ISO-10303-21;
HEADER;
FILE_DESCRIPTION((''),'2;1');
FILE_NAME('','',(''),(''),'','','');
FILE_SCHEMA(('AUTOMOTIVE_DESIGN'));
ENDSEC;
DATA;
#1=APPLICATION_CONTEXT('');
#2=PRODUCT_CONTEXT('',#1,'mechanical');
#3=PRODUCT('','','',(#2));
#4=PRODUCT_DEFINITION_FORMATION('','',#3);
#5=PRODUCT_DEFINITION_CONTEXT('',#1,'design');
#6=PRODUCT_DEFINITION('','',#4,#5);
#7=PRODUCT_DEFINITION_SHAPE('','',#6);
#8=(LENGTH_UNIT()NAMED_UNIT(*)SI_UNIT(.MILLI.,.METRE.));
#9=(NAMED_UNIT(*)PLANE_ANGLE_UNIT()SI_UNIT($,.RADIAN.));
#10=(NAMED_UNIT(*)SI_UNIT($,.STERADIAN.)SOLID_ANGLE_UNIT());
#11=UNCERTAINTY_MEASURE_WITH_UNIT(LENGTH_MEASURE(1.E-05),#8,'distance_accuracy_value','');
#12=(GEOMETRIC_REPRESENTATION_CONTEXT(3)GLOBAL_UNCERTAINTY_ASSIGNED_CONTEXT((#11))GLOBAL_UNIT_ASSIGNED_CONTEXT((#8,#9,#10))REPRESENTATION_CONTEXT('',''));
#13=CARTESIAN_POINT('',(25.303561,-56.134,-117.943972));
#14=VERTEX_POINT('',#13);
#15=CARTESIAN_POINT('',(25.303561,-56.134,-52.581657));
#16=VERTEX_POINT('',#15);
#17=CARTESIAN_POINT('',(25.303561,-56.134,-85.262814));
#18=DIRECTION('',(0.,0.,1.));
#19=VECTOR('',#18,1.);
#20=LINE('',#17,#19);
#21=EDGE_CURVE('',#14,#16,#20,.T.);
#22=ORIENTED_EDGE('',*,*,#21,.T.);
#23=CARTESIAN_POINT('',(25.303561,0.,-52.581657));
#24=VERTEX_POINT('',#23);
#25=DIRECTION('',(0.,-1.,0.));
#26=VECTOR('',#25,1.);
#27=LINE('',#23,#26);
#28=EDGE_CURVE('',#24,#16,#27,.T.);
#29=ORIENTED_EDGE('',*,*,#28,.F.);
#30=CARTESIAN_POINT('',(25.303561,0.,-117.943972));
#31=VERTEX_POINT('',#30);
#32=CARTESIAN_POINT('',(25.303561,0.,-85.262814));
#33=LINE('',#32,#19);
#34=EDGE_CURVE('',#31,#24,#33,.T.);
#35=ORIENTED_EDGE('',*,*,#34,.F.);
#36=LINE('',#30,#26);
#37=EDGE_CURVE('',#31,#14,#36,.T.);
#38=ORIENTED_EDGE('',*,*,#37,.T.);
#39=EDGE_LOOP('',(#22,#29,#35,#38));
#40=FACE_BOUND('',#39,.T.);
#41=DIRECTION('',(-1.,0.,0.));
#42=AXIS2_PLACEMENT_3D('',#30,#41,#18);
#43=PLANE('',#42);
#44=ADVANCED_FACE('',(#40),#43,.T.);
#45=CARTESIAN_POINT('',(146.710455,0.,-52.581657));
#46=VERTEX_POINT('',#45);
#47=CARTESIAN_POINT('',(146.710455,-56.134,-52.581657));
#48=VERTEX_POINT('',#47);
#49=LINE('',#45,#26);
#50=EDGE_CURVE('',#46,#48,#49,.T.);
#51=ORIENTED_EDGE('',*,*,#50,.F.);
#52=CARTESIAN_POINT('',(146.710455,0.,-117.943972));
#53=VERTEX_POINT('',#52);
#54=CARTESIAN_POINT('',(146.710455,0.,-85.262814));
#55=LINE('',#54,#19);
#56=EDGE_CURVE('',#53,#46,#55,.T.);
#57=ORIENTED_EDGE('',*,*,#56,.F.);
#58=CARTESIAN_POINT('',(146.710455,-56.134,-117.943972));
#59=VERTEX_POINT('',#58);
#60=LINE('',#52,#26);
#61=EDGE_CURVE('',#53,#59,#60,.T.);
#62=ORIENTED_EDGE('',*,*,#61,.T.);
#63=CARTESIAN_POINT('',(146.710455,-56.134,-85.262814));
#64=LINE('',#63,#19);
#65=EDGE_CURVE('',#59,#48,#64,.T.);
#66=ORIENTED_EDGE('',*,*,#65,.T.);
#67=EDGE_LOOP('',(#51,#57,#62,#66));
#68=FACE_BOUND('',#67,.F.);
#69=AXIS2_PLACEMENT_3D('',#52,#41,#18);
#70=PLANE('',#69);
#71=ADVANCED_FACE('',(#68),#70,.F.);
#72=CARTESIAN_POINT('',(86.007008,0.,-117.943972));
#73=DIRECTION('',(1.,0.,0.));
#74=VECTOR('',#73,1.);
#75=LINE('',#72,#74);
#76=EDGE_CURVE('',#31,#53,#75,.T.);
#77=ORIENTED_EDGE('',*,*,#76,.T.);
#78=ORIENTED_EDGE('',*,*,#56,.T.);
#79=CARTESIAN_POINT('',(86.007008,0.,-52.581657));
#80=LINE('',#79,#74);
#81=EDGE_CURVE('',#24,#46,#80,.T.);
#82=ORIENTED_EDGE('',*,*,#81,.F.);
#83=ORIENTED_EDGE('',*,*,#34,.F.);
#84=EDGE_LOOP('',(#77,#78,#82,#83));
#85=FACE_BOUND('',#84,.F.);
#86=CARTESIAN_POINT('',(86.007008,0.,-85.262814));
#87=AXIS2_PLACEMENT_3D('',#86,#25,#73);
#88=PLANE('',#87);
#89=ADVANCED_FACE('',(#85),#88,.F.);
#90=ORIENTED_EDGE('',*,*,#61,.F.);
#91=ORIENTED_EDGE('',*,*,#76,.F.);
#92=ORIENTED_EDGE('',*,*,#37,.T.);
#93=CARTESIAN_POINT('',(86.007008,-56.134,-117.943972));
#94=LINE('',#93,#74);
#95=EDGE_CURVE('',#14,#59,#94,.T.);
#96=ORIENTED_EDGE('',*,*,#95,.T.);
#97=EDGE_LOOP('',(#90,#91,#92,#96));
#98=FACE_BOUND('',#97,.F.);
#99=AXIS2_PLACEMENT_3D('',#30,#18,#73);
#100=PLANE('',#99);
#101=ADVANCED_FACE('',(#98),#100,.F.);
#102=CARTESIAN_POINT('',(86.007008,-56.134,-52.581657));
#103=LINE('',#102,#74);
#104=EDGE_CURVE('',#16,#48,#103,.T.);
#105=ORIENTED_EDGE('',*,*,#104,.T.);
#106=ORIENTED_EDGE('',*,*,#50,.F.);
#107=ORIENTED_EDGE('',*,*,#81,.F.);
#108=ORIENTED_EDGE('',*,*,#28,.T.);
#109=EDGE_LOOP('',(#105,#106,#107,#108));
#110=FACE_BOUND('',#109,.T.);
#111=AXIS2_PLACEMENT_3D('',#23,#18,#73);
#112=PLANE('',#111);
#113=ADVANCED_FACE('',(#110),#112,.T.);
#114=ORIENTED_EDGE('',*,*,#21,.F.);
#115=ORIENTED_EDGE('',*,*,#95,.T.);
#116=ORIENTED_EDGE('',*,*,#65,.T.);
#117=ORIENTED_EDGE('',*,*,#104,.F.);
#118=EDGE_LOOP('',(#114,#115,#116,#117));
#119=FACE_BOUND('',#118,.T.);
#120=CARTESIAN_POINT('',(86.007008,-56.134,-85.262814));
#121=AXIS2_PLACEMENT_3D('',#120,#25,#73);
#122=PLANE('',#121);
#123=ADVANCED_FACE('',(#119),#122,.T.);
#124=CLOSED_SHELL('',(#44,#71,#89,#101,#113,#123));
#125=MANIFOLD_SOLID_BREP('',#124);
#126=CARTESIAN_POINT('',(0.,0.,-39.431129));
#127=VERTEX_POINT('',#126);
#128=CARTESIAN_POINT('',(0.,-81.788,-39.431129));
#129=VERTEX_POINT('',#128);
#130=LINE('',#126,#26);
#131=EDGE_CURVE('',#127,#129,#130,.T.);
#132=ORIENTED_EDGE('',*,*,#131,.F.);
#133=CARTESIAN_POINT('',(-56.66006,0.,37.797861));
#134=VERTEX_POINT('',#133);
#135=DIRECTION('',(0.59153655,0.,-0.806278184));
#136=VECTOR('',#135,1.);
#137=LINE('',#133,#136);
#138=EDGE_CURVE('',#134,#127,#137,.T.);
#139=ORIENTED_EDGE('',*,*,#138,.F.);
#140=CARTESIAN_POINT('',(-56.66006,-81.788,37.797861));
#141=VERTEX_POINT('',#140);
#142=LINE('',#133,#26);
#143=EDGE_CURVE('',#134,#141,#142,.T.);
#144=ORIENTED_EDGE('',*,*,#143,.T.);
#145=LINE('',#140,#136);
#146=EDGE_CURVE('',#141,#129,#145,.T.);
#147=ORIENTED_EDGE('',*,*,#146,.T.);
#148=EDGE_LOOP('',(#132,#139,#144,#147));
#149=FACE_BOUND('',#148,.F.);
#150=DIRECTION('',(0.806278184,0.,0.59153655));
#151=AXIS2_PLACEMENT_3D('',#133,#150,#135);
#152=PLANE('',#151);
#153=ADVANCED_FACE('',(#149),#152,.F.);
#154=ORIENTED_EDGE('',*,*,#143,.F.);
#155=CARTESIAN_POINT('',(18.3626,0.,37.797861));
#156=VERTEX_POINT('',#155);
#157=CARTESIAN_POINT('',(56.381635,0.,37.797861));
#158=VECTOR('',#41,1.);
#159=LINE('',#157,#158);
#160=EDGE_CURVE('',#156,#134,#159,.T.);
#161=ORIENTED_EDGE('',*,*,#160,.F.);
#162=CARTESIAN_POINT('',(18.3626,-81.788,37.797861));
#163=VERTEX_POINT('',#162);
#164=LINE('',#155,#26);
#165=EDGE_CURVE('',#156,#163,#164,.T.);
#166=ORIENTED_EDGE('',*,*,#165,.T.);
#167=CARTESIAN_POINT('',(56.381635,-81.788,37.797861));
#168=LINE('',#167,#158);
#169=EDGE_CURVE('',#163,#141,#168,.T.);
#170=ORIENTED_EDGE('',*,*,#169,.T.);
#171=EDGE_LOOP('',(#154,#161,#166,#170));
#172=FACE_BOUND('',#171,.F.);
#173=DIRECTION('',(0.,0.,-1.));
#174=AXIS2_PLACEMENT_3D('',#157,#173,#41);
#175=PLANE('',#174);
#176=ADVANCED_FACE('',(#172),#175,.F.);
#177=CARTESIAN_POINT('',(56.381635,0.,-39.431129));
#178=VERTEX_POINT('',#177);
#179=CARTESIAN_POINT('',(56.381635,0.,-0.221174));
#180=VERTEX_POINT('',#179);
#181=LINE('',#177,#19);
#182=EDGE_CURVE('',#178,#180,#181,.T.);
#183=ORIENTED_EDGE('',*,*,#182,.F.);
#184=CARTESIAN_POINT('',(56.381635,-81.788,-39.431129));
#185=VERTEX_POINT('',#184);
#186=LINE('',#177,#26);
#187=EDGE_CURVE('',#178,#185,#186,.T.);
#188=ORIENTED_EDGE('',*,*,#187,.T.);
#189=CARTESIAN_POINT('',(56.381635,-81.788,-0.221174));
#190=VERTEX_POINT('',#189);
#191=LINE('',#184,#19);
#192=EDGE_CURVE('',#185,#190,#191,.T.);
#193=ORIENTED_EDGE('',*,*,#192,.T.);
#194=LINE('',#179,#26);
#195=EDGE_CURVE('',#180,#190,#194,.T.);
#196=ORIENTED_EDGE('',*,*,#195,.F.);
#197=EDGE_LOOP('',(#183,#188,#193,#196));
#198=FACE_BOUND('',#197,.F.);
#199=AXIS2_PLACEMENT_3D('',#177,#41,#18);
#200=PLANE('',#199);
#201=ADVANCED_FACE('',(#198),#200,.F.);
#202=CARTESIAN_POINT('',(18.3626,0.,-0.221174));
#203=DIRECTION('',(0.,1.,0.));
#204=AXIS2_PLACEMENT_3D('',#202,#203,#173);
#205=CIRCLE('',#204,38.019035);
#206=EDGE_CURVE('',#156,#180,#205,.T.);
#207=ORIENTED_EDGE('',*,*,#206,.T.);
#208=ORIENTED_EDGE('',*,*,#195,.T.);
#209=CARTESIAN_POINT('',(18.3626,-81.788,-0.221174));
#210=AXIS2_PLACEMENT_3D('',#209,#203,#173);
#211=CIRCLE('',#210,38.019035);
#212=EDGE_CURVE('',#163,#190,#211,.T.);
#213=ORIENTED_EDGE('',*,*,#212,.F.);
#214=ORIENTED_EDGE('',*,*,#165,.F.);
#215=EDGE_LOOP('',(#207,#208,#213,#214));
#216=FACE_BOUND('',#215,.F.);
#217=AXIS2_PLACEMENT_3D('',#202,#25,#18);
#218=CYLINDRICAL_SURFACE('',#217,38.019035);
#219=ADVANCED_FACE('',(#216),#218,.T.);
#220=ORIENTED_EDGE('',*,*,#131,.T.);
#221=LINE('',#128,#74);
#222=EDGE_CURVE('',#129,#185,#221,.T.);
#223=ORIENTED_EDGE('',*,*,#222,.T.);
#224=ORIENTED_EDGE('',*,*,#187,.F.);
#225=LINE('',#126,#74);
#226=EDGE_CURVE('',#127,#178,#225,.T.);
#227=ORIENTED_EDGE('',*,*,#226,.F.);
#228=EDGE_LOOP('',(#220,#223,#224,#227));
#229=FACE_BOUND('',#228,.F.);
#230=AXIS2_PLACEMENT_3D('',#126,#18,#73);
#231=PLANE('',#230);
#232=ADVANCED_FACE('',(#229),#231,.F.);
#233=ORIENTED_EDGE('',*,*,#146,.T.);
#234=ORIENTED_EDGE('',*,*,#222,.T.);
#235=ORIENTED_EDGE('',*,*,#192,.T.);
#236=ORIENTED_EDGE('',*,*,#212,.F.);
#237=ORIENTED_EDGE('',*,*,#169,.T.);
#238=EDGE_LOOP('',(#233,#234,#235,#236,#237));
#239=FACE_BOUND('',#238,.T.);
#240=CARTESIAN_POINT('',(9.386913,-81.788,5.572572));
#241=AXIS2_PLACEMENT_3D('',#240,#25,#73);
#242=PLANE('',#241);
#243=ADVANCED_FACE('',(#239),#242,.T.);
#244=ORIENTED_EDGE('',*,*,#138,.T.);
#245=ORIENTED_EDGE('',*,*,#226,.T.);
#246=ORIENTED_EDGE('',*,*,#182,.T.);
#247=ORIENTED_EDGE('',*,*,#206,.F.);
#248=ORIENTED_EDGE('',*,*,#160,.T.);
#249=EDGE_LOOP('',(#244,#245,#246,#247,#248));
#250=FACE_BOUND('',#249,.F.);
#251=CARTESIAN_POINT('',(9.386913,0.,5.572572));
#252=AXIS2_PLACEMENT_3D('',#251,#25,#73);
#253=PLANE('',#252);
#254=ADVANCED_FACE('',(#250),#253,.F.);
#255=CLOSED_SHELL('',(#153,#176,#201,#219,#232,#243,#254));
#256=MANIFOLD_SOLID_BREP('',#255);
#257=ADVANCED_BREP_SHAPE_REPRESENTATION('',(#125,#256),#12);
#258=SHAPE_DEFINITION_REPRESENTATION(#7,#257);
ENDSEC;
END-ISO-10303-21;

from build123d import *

# Parameters (mm, degrees)
F1_DEPTH = 81.788
F2_R     = 38.019035
F3_W     = 121.406894
F3_H     = 65.362315
F4_DEPTH = 56.134


with BuildPart() as f1:
    # F0 (on Front) → F1 (new body)
    with BuildSketch(Plane.XZ):
        Polygon((56.381635, 37.797861), (-56.66006, 37.797861), (0, -39.431129), (56.381635, -39.431129), align=None)
    extrude(amount=F1_DEPTH)

    # F2
    f2_edges = [f1.edges().sort_by_distance(p)[0] for p in [
        (56.381635, -40.894, 37.797861),
    ]]
    fillet(f2_edges, radius=F2_R)


with BuildPart() as f4:
    # F3 (on Front) → F4 (new body)
    with BuildSketch(Plane.XZ):
        with Locations((86.007008, -85.262814)):
            Rectangle(F3_W, F3_H)
    extrude(amount=F4_DEPTH)


solid = Compound([f1.part, f4.part])
